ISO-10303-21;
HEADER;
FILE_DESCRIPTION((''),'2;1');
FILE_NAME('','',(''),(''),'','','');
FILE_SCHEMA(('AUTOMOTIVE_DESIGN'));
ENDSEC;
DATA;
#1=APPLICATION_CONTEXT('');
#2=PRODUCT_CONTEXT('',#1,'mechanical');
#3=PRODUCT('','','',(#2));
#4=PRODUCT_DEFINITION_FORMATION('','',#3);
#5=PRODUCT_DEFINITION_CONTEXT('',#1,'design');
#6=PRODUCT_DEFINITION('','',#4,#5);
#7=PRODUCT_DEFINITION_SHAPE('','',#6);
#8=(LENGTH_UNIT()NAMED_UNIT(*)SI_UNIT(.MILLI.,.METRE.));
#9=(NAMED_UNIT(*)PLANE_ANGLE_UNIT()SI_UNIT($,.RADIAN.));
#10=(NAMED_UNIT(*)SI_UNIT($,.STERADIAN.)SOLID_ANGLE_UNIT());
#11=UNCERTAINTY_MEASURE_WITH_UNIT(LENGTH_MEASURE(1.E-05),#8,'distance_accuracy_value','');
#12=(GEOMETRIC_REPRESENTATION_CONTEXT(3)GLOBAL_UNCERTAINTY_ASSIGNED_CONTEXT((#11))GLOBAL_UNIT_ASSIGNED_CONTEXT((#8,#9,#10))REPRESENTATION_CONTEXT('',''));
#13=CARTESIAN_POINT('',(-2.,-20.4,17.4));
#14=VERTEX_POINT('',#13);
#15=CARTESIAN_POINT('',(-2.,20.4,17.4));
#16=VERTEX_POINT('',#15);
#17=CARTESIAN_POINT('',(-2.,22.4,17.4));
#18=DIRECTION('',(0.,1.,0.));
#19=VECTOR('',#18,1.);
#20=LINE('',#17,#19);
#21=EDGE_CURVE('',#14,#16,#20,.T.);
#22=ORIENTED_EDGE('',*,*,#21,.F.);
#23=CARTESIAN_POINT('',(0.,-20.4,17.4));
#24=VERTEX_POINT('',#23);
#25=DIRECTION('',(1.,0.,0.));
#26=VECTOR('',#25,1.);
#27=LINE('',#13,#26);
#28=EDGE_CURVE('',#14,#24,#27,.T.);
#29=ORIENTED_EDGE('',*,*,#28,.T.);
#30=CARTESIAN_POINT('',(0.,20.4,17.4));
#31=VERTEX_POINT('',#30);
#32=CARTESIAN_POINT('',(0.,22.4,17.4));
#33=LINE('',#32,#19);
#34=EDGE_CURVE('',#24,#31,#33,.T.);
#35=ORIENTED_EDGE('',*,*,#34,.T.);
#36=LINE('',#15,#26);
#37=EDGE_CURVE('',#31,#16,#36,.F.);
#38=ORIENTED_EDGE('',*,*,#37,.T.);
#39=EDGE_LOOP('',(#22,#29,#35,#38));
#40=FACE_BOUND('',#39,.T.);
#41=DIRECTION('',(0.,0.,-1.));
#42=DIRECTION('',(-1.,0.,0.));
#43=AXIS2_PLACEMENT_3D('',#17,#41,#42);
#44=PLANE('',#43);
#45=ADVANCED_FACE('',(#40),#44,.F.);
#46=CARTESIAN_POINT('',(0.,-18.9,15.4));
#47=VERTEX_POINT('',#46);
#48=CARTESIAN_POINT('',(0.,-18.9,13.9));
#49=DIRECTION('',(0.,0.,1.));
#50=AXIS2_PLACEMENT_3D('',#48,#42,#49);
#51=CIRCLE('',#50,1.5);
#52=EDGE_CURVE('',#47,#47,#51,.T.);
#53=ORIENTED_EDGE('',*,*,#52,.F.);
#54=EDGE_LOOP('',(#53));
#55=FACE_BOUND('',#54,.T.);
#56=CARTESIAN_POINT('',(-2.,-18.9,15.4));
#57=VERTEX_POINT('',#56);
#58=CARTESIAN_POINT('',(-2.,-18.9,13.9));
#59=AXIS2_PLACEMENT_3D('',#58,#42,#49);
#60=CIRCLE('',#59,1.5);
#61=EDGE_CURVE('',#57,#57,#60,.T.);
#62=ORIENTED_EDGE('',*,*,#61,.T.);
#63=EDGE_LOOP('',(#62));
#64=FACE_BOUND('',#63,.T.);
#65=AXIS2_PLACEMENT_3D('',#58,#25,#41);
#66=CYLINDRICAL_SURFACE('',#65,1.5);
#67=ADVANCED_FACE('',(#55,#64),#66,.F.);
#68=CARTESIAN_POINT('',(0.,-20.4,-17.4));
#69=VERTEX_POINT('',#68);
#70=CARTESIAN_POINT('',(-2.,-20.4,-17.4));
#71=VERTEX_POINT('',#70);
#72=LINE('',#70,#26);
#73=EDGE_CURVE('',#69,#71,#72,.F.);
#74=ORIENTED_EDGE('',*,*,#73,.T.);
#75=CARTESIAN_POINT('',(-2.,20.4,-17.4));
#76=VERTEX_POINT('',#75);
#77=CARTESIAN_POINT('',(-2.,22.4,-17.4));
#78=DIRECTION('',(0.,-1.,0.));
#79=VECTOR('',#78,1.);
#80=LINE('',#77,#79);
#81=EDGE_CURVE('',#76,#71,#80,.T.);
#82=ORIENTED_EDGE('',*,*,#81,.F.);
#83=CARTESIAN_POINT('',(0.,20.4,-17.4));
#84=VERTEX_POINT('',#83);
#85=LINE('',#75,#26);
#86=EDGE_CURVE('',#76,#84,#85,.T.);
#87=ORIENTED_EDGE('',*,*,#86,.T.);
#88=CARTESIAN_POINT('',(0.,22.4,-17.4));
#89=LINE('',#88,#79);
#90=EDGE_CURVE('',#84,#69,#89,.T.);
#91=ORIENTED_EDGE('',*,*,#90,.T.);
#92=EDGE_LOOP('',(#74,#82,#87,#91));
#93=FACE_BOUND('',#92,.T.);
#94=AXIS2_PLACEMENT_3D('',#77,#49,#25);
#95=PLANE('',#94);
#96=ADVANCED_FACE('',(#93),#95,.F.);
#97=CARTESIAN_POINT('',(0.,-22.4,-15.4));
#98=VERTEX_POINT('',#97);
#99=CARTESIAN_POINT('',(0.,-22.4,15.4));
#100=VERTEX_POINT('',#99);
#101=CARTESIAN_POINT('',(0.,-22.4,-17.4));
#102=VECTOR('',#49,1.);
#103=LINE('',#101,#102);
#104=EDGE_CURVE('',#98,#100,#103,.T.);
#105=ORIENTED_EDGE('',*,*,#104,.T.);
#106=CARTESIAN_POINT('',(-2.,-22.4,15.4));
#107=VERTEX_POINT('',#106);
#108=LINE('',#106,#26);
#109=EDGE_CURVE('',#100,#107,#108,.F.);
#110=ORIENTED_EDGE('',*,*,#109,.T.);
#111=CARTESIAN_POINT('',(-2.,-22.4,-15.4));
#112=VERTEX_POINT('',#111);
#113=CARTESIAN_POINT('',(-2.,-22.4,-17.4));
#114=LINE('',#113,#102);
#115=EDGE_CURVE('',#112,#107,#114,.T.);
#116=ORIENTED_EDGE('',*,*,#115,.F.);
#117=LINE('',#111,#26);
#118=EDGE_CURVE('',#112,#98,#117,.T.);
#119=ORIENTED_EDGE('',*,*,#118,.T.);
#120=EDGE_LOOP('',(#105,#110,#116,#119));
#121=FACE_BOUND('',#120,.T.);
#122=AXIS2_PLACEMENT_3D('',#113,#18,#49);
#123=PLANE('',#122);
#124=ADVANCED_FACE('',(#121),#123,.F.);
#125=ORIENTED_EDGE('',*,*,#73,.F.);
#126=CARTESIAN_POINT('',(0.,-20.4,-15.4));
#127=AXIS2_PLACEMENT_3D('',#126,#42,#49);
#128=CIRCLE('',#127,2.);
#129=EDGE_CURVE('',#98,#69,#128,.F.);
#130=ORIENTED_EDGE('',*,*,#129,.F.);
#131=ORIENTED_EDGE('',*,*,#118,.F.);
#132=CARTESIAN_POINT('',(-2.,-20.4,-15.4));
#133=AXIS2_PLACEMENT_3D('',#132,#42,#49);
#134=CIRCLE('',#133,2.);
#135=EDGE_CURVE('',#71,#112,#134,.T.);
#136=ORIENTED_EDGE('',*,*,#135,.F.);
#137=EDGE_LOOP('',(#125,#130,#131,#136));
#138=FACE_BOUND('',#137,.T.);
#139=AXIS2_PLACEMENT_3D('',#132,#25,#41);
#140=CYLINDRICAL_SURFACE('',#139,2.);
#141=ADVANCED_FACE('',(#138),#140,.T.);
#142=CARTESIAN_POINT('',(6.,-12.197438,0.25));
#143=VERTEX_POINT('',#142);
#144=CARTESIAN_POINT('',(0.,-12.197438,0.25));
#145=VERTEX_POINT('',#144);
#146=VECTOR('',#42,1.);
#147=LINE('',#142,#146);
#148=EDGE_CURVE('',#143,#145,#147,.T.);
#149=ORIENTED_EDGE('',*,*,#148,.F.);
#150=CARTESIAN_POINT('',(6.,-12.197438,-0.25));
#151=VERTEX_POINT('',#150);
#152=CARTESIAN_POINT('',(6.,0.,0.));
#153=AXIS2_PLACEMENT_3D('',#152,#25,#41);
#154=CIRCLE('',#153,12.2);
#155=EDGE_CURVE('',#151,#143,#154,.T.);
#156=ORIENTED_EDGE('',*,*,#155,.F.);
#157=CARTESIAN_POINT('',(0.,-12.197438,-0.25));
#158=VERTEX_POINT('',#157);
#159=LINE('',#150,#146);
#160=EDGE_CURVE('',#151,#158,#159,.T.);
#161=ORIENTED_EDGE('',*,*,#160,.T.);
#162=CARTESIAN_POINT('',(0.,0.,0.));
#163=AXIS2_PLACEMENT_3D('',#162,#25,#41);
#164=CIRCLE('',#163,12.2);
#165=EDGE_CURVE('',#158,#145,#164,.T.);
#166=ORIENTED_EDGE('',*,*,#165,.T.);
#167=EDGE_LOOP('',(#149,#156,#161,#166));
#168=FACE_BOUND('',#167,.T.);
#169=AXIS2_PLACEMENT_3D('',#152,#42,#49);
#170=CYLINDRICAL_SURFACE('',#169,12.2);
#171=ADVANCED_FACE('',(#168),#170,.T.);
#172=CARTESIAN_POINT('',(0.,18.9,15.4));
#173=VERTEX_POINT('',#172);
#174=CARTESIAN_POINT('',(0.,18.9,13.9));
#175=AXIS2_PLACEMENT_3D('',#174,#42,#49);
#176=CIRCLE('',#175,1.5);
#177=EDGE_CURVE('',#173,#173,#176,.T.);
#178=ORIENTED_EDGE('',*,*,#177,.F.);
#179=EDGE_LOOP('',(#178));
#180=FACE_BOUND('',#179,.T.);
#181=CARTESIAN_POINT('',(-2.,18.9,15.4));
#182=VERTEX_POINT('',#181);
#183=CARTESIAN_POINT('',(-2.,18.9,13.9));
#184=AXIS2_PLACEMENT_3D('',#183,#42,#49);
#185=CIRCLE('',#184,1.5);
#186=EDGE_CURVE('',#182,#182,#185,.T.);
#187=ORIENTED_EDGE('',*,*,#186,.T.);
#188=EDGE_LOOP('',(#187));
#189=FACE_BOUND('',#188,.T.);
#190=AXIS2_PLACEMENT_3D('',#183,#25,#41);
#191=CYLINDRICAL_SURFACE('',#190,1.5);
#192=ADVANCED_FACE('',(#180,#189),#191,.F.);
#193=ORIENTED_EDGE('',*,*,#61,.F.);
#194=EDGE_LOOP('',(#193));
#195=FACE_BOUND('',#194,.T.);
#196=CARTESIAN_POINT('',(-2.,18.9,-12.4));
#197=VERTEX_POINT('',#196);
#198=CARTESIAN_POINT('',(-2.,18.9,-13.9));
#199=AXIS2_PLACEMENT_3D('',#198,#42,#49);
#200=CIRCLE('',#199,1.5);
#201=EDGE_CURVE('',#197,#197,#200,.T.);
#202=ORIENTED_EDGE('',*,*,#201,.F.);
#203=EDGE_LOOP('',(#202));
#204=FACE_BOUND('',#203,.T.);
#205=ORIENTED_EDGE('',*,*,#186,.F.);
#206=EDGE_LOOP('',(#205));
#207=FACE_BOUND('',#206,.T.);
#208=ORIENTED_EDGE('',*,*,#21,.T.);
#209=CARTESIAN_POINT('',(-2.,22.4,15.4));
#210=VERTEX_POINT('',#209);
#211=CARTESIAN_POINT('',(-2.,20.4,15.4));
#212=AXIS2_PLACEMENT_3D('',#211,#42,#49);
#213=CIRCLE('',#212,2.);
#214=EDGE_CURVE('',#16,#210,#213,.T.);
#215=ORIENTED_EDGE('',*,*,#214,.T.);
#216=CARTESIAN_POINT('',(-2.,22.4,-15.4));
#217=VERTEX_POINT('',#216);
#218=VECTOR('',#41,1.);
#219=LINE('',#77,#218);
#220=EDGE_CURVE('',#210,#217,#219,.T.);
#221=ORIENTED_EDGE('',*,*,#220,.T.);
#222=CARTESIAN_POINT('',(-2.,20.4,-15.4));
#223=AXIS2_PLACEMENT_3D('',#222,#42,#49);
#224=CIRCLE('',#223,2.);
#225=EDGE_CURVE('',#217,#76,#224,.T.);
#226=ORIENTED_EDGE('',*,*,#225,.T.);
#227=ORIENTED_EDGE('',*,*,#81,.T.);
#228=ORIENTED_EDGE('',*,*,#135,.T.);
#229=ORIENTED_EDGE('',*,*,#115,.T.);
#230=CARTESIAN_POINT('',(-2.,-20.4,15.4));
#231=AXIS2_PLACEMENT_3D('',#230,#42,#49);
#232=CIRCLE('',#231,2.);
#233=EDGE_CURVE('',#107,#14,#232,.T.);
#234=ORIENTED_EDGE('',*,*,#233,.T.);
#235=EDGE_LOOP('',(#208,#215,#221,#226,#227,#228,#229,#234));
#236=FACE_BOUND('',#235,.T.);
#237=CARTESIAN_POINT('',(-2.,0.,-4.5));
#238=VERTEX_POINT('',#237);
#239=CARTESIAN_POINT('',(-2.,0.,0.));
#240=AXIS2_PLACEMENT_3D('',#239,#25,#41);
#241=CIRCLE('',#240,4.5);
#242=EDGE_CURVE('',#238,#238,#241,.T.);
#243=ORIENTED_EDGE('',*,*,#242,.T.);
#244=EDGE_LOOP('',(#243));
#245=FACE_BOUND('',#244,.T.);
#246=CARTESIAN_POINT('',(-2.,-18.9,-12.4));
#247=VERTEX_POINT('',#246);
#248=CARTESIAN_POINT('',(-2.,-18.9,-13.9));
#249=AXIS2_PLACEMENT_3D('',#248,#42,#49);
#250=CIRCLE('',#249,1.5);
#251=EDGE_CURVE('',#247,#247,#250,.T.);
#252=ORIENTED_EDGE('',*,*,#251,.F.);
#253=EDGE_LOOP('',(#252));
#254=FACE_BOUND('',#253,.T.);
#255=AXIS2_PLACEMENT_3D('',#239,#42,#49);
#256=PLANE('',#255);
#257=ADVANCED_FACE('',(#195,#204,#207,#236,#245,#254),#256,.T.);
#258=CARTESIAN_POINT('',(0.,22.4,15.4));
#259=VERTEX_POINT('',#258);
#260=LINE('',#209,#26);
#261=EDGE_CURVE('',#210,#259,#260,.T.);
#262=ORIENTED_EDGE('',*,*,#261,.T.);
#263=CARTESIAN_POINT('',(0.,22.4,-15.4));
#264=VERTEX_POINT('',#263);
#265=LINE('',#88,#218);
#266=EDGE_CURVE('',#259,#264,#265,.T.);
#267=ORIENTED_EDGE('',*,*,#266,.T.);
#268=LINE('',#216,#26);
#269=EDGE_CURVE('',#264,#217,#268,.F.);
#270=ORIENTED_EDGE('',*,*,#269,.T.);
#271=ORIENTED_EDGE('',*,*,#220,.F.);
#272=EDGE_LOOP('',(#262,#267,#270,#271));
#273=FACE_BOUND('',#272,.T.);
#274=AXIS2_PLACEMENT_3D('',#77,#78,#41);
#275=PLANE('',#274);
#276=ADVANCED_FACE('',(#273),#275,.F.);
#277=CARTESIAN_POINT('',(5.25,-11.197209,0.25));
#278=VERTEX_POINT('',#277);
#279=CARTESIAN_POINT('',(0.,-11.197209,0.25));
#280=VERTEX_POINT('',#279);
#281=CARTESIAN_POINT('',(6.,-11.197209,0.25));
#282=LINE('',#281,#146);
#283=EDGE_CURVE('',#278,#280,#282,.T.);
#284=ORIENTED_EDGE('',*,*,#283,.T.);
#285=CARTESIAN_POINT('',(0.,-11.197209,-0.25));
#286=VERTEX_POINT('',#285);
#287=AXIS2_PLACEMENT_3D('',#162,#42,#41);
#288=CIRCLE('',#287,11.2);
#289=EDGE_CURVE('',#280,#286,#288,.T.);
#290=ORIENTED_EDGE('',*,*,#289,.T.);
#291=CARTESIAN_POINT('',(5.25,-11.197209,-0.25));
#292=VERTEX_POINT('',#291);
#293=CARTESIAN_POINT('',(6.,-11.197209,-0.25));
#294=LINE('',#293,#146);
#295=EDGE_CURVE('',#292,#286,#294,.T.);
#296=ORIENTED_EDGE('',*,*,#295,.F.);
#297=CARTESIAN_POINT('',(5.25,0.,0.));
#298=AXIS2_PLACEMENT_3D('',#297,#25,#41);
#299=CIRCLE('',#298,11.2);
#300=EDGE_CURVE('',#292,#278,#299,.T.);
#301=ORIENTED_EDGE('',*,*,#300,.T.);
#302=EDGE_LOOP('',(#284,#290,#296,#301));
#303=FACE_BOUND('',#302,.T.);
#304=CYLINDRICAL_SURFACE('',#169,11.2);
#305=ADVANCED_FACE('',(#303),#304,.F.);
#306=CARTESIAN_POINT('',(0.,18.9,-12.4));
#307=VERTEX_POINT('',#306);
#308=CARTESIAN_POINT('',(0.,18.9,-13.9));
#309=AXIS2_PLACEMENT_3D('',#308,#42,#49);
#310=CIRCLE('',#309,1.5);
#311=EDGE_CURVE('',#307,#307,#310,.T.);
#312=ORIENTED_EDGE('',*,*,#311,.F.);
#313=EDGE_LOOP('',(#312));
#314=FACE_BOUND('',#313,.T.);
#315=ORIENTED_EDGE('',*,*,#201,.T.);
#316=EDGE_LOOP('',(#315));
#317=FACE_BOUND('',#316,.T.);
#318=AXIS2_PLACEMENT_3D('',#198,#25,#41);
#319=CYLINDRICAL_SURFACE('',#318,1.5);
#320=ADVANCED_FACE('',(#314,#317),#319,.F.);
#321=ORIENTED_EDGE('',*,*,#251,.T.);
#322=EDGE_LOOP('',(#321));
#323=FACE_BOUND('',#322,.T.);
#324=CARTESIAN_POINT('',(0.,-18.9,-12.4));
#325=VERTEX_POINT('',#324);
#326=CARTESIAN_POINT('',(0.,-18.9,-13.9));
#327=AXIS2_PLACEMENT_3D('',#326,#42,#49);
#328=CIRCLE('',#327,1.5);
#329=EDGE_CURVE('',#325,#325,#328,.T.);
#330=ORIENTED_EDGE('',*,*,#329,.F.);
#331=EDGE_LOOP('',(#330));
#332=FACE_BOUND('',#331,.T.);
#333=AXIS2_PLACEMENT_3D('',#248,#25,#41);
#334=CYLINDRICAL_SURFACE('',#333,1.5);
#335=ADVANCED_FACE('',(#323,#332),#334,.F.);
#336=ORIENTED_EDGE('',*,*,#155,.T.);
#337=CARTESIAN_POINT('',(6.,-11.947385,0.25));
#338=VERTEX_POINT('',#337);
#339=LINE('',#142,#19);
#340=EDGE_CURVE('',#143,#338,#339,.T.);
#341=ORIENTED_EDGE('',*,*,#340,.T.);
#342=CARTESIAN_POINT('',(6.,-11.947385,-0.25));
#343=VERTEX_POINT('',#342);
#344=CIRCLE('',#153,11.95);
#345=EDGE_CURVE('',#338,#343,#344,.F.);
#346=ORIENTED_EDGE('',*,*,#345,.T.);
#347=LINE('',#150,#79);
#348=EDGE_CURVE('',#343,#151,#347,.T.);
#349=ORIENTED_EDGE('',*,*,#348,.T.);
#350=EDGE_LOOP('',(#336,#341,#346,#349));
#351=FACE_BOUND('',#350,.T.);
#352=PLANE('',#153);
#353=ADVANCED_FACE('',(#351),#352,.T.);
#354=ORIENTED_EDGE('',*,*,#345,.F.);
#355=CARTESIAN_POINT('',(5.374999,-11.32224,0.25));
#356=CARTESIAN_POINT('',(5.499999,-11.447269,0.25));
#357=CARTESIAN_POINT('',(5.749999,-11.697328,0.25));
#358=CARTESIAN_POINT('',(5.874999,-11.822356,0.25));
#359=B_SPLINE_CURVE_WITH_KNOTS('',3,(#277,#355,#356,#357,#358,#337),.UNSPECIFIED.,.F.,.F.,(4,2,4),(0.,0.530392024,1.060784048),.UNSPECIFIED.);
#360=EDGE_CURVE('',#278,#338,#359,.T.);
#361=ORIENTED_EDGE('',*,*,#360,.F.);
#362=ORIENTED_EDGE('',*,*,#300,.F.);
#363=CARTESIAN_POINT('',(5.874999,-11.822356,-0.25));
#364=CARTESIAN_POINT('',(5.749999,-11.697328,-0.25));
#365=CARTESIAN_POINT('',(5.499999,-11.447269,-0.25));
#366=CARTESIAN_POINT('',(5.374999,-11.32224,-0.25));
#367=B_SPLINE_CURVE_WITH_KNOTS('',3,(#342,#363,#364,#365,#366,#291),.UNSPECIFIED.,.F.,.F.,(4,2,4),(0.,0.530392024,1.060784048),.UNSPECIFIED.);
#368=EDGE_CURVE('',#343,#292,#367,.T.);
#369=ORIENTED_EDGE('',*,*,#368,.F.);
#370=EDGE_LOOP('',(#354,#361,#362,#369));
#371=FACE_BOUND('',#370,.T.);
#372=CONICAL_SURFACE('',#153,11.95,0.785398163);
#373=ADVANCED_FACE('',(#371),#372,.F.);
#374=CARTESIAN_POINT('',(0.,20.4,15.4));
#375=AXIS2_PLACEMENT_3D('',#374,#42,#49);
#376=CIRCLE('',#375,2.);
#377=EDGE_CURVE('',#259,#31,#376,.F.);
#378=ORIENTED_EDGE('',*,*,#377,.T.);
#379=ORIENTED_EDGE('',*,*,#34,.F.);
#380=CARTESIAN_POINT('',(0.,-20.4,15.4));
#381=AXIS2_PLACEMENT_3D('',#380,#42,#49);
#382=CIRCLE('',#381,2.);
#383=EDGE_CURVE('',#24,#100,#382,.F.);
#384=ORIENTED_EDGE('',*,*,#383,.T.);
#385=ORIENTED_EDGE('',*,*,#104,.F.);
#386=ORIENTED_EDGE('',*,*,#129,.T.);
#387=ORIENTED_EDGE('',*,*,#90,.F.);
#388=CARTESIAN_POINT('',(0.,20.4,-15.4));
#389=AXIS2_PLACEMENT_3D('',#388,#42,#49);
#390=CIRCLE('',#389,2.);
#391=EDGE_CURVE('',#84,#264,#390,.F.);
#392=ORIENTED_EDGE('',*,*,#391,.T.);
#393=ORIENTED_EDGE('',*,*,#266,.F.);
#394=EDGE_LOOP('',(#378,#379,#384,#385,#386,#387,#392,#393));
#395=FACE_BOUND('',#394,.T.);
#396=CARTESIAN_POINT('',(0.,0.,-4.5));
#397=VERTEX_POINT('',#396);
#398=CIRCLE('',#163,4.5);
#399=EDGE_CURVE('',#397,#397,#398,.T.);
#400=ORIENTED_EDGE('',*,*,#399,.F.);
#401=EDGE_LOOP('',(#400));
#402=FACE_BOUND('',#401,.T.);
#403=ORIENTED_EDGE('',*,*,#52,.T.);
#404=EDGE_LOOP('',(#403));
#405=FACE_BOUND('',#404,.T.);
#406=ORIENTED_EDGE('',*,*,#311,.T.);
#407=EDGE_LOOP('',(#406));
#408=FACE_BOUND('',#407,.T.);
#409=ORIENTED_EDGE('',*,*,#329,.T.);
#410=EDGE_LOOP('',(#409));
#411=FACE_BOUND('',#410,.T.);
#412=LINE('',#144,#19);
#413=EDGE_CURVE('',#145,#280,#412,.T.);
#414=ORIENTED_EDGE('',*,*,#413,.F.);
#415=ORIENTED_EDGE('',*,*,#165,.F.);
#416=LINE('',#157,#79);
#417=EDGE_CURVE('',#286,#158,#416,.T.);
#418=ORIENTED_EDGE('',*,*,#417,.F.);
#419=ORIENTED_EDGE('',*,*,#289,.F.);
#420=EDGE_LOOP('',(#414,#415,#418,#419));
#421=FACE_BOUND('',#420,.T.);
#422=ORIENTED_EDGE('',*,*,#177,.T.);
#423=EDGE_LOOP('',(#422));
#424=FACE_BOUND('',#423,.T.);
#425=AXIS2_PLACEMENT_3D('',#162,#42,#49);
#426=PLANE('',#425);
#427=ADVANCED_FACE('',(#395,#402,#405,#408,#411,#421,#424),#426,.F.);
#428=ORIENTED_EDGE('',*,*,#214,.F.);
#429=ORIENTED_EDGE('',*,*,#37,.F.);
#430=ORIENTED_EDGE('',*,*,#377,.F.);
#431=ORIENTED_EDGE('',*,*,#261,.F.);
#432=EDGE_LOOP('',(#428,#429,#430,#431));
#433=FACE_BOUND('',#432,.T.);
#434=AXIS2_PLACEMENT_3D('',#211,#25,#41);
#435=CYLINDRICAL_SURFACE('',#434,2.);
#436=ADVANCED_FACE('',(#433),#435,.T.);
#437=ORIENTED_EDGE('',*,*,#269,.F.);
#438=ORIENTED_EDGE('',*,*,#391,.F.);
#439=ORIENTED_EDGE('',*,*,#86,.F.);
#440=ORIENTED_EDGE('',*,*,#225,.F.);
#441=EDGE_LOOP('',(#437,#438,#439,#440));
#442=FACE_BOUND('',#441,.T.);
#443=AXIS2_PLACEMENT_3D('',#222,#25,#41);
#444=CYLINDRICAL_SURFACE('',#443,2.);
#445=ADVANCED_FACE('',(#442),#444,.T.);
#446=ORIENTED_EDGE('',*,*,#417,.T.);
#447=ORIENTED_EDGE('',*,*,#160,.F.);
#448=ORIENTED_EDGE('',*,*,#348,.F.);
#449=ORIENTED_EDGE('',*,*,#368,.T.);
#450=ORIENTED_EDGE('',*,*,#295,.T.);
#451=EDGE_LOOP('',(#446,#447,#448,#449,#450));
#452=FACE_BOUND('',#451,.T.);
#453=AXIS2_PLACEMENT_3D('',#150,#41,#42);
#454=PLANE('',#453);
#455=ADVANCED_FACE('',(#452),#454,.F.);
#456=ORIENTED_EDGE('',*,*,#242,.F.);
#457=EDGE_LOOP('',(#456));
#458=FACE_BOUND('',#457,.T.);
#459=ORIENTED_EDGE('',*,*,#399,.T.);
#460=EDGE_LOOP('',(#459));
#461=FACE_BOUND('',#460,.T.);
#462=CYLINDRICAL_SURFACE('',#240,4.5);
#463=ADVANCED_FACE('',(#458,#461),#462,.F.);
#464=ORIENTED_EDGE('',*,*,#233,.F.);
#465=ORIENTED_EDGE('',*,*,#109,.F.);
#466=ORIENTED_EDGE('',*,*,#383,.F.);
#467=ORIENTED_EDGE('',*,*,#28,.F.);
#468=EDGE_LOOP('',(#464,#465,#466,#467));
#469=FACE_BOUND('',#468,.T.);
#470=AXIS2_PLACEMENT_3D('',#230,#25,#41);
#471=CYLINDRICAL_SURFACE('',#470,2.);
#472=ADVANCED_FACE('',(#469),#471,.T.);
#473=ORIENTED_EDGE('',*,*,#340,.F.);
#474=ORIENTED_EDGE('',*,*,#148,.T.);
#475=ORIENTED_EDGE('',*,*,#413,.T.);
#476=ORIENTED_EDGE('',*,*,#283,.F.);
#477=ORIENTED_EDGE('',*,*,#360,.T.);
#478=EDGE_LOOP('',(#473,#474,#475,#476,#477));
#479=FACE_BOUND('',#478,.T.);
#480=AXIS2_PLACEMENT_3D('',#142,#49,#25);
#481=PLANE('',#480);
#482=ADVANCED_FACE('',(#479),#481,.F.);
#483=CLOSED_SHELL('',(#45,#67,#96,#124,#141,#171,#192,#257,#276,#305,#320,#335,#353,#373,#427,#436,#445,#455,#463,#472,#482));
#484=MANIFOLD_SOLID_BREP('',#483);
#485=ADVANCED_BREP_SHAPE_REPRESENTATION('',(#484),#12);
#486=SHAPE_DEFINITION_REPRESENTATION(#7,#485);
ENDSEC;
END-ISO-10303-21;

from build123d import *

# Parameters (mm, degrees)
BOSS_EXTRUDE1_DEPTH = 6
SKETCH4_W           = 44.8
SKETCH4_H           = 34.8
SKETCH4_R           = 1.5
BOSS_EXTRUDE3_DEPTH = 2
FILLET1_R           = 2
CHAMFER1_SIZE       = 0.75
SKETCH5_R           = 4.5
CUT_EXTRUDE1_DEPTH  = 29.991722957


with BuildPart() as part:
    # Sketch1 → Boss-Extrude1 (new body)
    with BuildSketch(Plane.YZ):
        with BuildLine():
            Line((-12.197438256, -0.25), (-11.197209474, -0.25))
            ThreePointArc((-11.197209474, -0.25), (11.2, 0), (-11.197209474, 0.25))
            Line((-11.197209474, 0.25), (-12.197438256, 0.25))
            ThreePointArc((-12.197438256, 0.25), (12.2, 0), (-12.197438256, -0.25))
        make_face()
    extrude(amount=BOSS_EXTRUDE1_DEPTH)

    # Sketch4 → Boss-Extrude3 (add)
    with BuildSketch(Plane(origin=(0, 0, 0), x_dir=(0, -1, 0), z_dir=(-1, 0, 0))):
        Rectangle(SKETCH4_W, SKETCH4_H)
        with Locations(Location((-18.9, 13.9, 0), (0, 0, 90))):
            Circle(SKETCH4_R, mode=Mode.SUBTRACT)
        with Locations(Location((18.9, 13.9, 0), (0, 0, 90))):
            Circle(SKETCH4_R, mode=Mode.SUBTRACT)
        with Locations(Location((-18.9, -13.9, 0), (0, 0, 90))):
            Circle(SKETCH4_R, mode=Mode.SUBTRACT)
        with Locations(Location((18.9, -13.9, 0), (0, 0, 90))):
            Circle(SKETCH4_R, mode=Mode.SUBTRACT)
    extrude(amount=BOSS_EXTRUDE3_DEPTH)

    # Fillet1
    fillet1_edges = [part.edges().sort_by_distance(p)[0] for p in [
        (-1, -22.4, 17.4),
        (-1, 22.4, 17.4),
        (-1, 22.4, -17.4),
        (-1, -22.4, -17.4),
    ]]
    fillet(fillet1_edges, radius=FILLET1_R)

    # Chamfer1
    chamfer1_edges = [part.edges().sort_by_distance(p)[0] for p in [
        (6, 11.2, 0),
    ]]
    chamfer(chamfer1_edges, length=CHAMFER1_SIZE)

    # Sketch5 → Cut-Extrude1 (cut, through all)
    with BuildSketch(Plane.YZ):
        with Locations(Location((0, 0, 0), (0, 0, 270))):
            Circle(SKETCH5_R)
    extrude(amount=-CUT_EXTRUDE1_DEPTH, mode=Mode.SUBTRACT)


solid = part.part
